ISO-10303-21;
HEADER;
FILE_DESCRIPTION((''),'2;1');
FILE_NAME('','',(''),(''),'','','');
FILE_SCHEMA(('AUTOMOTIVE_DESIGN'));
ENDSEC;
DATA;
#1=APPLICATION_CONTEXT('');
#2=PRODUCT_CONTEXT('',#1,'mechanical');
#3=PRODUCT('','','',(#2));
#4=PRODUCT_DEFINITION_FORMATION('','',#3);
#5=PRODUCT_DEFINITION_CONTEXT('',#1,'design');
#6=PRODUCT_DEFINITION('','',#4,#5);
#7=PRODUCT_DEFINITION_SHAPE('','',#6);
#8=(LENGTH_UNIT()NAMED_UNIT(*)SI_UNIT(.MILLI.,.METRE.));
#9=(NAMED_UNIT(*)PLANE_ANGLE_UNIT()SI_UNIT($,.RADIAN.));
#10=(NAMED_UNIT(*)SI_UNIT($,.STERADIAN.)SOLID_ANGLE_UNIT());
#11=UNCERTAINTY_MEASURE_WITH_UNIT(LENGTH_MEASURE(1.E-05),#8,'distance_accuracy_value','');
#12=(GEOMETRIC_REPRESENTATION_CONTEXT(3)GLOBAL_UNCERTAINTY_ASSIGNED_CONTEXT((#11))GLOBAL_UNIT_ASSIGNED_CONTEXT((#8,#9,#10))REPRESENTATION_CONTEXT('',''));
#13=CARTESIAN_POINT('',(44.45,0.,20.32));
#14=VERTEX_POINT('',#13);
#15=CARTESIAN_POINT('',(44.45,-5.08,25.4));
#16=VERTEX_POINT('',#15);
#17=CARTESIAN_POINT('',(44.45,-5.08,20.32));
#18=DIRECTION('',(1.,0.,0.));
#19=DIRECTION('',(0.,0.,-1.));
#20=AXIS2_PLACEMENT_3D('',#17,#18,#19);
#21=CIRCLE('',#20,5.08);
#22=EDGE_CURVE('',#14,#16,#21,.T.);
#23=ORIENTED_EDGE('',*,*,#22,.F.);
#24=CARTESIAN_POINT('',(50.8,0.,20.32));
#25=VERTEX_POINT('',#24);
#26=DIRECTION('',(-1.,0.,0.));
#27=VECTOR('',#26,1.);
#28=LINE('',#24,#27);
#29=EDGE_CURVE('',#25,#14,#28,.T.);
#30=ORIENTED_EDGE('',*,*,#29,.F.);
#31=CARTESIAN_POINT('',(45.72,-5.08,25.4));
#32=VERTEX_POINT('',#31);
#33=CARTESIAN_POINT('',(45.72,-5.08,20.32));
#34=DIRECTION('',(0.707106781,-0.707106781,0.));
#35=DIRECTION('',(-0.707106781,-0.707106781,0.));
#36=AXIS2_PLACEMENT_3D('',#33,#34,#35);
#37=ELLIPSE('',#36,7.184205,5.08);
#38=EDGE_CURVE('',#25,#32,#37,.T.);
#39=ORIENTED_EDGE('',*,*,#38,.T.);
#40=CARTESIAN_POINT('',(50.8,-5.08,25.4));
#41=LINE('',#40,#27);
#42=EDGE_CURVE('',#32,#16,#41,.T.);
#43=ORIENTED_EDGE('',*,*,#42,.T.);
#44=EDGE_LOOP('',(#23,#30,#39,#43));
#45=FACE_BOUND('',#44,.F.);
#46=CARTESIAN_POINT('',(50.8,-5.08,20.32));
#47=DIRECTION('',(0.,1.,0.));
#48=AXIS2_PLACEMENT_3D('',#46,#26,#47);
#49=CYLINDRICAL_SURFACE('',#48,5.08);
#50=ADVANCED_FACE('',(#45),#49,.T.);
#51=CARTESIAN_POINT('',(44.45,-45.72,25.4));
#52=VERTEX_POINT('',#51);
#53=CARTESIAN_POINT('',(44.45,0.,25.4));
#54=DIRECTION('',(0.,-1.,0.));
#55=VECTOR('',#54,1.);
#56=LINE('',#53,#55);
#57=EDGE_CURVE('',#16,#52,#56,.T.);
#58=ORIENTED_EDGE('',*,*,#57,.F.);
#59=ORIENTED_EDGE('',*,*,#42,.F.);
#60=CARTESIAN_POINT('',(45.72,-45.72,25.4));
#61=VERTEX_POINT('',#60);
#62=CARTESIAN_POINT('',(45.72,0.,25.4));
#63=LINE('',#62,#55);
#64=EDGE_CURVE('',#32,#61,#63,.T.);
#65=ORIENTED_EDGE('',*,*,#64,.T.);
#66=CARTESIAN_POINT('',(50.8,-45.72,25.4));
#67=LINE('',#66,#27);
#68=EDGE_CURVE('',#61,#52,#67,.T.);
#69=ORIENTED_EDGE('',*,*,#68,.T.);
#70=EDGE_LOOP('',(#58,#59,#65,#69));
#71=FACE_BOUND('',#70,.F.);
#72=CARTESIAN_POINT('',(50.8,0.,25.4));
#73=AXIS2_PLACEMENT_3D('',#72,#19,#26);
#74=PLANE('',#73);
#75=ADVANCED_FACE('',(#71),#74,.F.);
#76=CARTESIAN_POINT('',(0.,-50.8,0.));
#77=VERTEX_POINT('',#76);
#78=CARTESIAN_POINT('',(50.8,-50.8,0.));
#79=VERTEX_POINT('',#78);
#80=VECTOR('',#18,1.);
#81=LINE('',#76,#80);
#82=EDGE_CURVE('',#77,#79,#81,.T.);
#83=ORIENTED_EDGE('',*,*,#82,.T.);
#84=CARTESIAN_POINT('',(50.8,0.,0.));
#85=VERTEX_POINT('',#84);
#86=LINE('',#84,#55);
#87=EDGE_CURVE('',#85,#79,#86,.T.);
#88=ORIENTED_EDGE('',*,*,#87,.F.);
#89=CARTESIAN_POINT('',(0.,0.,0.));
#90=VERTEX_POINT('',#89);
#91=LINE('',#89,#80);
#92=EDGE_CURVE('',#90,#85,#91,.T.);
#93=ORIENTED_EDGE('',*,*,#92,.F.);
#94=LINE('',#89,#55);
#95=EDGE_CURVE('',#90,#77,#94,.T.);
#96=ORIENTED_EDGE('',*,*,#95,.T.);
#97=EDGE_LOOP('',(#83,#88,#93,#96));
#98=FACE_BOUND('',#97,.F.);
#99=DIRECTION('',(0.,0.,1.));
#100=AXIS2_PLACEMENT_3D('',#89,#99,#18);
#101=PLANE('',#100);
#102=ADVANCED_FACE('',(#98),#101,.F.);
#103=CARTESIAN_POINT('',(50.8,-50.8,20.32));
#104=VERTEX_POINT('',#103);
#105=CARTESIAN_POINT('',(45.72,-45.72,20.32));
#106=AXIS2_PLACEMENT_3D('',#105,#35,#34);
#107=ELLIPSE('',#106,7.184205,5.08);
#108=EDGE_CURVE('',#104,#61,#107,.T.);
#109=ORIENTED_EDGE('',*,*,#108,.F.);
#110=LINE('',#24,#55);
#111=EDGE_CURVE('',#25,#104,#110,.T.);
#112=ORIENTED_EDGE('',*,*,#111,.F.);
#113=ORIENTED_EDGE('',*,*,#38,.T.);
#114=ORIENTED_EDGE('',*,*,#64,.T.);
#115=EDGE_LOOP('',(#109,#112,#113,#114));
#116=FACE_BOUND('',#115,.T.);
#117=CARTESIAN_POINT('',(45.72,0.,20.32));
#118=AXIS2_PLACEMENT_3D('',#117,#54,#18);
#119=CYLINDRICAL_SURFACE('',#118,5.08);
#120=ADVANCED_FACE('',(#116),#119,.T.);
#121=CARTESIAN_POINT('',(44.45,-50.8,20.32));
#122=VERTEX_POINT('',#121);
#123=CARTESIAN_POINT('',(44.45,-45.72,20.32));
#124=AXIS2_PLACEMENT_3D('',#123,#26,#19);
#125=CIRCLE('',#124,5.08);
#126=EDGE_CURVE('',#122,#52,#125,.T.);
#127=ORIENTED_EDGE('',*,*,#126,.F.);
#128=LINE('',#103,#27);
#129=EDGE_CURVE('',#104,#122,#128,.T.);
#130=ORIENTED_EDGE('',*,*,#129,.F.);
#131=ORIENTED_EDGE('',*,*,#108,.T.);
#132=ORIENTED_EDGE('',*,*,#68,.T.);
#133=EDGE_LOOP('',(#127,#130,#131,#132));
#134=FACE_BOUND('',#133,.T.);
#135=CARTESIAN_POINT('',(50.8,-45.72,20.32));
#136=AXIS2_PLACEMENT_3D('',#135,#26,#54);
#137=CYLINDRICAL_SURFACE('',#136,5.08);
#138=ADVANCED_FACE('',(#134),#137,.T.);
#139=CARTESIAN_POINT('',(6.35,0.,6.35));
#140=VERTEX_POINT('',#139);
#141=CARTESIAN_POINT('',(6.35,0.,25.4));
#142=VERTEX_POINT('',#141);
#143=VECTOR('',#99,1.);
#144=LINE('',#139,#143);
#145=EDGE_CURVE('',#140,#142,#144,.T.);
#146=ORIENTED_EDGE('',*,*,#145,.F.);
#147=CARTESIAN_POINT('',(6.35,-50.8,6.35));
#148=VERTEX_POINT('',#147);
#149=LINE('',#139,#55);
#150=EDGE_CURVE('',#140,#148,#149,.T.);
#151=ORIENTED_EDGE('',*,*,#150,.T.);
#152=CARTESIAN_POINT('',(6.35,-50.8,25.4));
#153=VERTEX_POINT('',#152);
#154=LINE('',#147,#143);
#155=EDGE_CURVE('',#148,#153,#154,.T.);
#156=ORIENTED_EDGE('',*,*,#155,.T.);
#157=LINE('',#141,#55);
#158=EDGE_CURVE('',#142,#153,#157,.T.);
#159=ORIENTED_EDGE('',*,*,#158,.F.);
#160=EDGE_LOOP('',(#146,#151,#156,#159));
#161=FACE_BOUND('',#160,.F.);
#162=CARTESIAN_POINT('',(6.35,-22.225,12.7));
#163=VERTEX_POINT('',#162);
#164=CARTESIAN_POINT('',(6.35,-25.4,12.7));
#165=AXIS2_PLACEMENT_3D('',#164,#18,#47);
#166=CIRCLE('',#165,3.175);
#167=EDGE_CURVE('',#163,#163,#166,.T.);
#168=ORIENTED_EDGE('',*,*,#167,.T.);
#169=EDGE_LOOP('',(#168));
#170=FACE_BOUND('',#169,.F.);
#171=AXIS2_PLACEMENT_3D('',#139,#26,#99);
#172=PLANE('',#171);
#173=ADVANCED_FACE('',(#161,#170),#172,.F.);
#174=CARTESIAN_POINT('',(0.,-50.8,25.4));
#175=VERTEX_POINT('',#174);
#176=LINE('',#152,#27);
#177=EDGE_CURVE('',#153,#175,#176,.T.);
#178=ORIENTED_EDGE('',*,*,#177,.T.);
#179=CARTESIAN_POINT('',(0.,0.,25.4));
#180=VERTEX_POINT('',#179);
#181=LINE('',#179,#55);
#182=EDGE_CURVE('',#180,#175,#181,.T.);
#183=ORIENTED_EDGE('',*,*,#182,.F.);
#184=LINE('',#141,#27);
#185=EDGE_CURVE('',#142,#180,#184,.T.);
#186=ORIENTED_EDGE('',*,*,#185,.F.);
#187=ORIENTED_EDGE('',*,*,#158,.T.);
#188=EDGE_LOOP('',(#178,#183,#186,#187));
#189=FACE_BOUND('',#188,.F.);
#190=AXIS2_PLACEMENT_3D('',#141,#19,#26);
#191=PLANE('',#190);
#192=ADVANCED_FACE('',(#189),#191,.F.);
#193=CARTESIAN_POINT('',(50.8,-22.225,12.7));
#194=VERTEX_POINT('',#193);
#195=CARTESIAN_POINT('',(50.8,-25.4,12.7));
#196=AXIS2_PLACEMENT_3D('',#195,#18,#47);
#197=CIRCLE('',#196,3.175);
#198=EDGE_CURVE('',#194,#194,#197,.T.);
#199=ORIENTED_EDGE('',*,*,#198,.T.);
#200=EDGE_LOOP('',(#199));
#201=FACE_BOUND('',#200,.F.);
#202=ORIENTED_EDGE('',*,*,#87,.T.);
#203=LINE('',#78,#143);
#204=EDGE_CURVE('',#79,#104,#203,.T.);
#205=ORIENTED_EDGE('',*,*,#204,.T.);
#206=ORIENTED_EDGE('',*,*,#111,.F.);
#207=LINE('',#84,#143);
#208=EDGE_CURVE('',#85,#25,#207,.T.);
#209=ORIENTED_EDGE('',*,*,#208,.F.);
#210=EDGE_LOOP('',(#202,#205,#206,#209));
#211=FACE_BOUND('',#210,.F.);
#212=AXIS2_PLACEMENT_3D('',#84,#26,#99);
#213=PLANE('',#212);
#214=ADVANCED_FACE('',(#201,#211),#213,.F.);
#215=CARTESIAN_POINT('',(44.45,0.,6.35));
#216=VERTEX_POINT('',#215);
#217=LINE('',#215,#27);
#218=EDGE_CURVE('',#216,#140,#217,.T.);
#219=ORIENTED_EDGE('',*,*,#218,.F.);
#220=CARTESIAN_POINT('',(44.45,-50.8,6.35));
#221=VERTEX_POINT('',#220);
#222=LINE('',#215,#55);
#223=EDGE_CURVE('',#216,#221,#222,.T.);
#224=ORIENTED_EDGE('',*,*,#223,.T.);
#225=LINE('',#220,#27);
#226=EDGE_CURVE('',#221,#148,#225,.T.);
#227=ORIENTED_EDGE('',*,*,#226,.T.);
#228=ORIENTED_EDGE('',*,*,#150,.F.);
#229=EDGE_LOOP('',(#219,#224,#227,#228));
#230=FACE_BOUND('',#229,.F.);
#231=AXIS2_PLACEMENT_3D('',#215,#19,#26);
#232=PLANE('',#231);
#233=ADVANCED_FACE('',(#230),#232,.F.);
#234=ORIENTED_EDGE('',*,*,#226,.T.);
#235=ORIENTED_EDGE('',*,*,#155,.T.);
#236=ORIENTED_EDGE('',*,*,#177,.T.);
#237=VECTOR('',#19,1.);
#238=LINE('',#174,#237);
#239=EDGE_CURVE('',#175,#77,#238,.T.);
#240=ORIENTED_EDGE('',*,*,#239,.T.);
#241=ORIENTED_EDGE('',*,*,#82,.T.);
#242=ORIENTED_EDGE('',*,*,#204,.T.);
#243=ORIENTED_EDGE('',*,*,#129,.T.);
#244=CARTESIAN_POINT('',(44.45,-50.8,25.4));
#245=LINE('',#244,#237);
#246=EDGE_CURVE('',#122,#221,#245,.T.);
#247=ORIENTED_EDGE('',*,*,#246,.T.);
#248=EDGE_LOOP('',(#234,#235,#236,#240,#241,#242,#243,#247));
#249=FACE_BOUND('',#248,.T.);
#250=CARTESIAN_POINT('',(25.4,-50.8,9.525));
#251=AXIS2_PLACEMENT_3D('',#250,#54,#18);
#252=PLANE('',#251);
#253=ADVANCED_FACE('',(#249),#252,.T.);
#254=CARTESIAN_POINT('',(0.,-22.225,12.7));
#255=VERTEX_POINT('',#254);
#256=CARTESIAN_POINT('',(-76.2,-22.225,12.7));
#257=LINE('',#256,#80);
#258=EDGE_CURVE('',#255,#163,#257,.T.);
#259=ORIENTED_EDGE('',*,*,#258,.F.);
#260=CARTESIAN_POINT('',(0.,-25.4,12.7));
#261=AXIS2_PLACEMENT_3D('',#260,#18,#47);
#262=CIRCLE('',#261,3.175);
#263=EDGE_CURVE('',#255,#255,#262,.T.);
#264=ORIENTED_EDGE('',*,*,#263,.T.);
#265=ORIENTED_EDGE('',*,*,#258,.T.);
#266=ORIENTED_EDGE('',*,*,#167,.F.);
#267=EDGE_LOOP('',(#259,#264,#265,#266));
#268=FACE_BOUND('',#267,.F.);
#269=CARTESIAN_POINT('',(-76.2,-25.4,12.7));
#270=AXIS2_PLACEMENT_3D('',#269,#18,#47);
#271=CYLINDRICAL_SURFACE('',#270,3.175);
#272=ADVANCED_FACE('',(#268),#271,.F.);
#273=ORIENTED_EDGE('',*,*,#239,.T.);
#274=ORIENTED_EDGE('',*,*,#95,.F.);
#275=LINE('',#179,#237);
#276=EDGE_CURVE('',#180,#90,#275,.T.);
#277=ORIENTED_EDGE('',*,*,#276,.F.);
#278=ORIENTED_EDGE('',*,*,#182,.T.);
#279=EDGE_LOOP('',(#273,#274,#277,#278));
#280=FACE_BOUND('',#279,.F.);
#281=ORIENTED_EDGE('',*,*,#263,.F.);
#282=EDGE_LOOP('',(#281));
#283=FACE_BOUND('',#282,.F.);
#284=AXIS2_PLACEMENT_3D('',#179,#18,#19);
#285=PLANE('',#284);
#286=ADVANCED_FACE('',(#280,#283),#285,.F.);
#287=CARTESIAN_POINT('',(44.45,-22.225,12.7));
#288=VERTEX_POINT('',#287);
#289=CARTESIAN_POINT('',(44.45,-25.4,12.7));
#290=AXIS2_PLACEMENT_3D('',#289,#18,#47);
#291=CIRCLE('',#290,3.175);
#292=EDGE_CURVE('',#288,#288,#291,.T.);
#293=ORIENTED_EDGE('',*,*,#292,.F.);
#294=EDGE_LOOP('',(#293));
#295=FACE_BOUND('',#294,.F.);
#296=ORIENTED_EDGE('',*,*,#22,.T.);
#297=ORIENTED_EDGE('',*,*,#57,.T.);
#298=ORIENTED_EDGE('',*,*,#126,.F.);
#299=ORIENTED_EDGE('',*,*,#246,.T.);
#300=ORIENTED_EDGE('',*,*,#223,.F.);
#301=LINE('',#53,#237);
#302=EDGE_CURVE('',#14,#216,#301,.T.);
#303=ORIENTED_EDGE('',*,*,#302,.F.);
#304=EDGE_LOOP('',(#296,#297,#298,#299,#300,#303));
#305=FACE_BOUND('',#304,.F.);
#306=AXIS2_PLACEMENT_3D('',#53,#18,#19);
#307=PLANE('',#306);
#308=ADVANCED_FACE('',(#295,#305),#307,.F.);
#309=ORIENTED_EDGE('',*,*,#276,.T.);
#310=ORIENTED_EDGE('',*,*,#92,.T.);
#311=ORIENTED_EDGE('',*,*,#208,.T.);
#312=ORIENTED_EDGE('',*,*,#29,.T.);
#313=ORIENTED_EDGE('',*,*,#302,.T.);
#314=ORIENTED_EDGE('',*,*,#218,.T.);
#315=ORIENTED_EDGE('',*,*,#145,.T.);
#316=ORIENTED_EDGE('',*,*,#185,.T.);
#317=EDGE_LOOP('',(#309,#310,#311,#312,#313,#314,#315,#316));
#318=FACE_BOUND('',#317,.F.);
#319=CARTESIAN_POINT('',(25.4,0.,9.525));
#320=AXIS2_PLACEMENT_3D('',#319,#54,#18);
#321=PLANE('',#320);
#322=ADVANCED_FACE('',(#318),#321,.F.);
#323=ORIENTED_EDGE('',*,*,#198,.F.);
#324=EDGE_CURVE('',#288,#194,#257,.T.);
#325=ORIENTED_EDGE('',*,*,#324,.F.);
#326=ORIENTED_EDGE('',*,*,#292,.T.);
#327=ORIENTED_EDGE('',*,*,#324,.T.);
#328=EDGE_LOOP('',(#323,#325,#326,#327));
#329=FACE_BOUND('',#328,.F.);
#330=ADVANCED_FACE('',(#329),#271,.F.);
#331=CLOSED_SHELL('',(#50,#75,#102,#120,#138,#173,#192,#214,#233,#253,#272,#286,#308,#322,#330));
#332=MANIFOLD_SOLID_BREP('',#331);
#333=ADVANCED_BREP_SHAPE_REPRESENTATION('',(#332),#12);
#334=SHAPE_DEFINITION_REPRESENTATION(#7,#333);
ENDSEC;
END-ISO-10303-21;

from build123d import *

# Parameters (mm, degrees)
F1_DEPTH = 50.8
F3_D     = 6.35
F4_R     = 5.08


with BuildPart() as f1:
    # F0 (on Front) → F1 (new body)
    with BuildSketch(Plane.XZ):
        Polygon((6.35, 6.35), (6.35, 25.4), (0, 25.4), (0, 0), (50.8, 0), (50.8, 25.4), (44.45, 25.4), (44.45, 6.35), align=None)
    extrude(amount=F1_DEPTH)

    # F3 (through all)
    with Locations(Plane(origin=(0, 0, 0), x_dir=(0, -1, 0), z_dir=(-1, 0, 0))):
        with Locations((25.4, 12.7)):
            Hole(F3_D / 2)

    # F4
    f4_edges = [f1.edges().sort_by_distance(p)[0] for p in [
        (50.8, -25.4, 25.4),
        (47.625, -50.8, 25.4),
        (47.625, 0, 25.4),
    ]]
    fillet(f4_edges, radius=F4_R)


solid = f1.part
